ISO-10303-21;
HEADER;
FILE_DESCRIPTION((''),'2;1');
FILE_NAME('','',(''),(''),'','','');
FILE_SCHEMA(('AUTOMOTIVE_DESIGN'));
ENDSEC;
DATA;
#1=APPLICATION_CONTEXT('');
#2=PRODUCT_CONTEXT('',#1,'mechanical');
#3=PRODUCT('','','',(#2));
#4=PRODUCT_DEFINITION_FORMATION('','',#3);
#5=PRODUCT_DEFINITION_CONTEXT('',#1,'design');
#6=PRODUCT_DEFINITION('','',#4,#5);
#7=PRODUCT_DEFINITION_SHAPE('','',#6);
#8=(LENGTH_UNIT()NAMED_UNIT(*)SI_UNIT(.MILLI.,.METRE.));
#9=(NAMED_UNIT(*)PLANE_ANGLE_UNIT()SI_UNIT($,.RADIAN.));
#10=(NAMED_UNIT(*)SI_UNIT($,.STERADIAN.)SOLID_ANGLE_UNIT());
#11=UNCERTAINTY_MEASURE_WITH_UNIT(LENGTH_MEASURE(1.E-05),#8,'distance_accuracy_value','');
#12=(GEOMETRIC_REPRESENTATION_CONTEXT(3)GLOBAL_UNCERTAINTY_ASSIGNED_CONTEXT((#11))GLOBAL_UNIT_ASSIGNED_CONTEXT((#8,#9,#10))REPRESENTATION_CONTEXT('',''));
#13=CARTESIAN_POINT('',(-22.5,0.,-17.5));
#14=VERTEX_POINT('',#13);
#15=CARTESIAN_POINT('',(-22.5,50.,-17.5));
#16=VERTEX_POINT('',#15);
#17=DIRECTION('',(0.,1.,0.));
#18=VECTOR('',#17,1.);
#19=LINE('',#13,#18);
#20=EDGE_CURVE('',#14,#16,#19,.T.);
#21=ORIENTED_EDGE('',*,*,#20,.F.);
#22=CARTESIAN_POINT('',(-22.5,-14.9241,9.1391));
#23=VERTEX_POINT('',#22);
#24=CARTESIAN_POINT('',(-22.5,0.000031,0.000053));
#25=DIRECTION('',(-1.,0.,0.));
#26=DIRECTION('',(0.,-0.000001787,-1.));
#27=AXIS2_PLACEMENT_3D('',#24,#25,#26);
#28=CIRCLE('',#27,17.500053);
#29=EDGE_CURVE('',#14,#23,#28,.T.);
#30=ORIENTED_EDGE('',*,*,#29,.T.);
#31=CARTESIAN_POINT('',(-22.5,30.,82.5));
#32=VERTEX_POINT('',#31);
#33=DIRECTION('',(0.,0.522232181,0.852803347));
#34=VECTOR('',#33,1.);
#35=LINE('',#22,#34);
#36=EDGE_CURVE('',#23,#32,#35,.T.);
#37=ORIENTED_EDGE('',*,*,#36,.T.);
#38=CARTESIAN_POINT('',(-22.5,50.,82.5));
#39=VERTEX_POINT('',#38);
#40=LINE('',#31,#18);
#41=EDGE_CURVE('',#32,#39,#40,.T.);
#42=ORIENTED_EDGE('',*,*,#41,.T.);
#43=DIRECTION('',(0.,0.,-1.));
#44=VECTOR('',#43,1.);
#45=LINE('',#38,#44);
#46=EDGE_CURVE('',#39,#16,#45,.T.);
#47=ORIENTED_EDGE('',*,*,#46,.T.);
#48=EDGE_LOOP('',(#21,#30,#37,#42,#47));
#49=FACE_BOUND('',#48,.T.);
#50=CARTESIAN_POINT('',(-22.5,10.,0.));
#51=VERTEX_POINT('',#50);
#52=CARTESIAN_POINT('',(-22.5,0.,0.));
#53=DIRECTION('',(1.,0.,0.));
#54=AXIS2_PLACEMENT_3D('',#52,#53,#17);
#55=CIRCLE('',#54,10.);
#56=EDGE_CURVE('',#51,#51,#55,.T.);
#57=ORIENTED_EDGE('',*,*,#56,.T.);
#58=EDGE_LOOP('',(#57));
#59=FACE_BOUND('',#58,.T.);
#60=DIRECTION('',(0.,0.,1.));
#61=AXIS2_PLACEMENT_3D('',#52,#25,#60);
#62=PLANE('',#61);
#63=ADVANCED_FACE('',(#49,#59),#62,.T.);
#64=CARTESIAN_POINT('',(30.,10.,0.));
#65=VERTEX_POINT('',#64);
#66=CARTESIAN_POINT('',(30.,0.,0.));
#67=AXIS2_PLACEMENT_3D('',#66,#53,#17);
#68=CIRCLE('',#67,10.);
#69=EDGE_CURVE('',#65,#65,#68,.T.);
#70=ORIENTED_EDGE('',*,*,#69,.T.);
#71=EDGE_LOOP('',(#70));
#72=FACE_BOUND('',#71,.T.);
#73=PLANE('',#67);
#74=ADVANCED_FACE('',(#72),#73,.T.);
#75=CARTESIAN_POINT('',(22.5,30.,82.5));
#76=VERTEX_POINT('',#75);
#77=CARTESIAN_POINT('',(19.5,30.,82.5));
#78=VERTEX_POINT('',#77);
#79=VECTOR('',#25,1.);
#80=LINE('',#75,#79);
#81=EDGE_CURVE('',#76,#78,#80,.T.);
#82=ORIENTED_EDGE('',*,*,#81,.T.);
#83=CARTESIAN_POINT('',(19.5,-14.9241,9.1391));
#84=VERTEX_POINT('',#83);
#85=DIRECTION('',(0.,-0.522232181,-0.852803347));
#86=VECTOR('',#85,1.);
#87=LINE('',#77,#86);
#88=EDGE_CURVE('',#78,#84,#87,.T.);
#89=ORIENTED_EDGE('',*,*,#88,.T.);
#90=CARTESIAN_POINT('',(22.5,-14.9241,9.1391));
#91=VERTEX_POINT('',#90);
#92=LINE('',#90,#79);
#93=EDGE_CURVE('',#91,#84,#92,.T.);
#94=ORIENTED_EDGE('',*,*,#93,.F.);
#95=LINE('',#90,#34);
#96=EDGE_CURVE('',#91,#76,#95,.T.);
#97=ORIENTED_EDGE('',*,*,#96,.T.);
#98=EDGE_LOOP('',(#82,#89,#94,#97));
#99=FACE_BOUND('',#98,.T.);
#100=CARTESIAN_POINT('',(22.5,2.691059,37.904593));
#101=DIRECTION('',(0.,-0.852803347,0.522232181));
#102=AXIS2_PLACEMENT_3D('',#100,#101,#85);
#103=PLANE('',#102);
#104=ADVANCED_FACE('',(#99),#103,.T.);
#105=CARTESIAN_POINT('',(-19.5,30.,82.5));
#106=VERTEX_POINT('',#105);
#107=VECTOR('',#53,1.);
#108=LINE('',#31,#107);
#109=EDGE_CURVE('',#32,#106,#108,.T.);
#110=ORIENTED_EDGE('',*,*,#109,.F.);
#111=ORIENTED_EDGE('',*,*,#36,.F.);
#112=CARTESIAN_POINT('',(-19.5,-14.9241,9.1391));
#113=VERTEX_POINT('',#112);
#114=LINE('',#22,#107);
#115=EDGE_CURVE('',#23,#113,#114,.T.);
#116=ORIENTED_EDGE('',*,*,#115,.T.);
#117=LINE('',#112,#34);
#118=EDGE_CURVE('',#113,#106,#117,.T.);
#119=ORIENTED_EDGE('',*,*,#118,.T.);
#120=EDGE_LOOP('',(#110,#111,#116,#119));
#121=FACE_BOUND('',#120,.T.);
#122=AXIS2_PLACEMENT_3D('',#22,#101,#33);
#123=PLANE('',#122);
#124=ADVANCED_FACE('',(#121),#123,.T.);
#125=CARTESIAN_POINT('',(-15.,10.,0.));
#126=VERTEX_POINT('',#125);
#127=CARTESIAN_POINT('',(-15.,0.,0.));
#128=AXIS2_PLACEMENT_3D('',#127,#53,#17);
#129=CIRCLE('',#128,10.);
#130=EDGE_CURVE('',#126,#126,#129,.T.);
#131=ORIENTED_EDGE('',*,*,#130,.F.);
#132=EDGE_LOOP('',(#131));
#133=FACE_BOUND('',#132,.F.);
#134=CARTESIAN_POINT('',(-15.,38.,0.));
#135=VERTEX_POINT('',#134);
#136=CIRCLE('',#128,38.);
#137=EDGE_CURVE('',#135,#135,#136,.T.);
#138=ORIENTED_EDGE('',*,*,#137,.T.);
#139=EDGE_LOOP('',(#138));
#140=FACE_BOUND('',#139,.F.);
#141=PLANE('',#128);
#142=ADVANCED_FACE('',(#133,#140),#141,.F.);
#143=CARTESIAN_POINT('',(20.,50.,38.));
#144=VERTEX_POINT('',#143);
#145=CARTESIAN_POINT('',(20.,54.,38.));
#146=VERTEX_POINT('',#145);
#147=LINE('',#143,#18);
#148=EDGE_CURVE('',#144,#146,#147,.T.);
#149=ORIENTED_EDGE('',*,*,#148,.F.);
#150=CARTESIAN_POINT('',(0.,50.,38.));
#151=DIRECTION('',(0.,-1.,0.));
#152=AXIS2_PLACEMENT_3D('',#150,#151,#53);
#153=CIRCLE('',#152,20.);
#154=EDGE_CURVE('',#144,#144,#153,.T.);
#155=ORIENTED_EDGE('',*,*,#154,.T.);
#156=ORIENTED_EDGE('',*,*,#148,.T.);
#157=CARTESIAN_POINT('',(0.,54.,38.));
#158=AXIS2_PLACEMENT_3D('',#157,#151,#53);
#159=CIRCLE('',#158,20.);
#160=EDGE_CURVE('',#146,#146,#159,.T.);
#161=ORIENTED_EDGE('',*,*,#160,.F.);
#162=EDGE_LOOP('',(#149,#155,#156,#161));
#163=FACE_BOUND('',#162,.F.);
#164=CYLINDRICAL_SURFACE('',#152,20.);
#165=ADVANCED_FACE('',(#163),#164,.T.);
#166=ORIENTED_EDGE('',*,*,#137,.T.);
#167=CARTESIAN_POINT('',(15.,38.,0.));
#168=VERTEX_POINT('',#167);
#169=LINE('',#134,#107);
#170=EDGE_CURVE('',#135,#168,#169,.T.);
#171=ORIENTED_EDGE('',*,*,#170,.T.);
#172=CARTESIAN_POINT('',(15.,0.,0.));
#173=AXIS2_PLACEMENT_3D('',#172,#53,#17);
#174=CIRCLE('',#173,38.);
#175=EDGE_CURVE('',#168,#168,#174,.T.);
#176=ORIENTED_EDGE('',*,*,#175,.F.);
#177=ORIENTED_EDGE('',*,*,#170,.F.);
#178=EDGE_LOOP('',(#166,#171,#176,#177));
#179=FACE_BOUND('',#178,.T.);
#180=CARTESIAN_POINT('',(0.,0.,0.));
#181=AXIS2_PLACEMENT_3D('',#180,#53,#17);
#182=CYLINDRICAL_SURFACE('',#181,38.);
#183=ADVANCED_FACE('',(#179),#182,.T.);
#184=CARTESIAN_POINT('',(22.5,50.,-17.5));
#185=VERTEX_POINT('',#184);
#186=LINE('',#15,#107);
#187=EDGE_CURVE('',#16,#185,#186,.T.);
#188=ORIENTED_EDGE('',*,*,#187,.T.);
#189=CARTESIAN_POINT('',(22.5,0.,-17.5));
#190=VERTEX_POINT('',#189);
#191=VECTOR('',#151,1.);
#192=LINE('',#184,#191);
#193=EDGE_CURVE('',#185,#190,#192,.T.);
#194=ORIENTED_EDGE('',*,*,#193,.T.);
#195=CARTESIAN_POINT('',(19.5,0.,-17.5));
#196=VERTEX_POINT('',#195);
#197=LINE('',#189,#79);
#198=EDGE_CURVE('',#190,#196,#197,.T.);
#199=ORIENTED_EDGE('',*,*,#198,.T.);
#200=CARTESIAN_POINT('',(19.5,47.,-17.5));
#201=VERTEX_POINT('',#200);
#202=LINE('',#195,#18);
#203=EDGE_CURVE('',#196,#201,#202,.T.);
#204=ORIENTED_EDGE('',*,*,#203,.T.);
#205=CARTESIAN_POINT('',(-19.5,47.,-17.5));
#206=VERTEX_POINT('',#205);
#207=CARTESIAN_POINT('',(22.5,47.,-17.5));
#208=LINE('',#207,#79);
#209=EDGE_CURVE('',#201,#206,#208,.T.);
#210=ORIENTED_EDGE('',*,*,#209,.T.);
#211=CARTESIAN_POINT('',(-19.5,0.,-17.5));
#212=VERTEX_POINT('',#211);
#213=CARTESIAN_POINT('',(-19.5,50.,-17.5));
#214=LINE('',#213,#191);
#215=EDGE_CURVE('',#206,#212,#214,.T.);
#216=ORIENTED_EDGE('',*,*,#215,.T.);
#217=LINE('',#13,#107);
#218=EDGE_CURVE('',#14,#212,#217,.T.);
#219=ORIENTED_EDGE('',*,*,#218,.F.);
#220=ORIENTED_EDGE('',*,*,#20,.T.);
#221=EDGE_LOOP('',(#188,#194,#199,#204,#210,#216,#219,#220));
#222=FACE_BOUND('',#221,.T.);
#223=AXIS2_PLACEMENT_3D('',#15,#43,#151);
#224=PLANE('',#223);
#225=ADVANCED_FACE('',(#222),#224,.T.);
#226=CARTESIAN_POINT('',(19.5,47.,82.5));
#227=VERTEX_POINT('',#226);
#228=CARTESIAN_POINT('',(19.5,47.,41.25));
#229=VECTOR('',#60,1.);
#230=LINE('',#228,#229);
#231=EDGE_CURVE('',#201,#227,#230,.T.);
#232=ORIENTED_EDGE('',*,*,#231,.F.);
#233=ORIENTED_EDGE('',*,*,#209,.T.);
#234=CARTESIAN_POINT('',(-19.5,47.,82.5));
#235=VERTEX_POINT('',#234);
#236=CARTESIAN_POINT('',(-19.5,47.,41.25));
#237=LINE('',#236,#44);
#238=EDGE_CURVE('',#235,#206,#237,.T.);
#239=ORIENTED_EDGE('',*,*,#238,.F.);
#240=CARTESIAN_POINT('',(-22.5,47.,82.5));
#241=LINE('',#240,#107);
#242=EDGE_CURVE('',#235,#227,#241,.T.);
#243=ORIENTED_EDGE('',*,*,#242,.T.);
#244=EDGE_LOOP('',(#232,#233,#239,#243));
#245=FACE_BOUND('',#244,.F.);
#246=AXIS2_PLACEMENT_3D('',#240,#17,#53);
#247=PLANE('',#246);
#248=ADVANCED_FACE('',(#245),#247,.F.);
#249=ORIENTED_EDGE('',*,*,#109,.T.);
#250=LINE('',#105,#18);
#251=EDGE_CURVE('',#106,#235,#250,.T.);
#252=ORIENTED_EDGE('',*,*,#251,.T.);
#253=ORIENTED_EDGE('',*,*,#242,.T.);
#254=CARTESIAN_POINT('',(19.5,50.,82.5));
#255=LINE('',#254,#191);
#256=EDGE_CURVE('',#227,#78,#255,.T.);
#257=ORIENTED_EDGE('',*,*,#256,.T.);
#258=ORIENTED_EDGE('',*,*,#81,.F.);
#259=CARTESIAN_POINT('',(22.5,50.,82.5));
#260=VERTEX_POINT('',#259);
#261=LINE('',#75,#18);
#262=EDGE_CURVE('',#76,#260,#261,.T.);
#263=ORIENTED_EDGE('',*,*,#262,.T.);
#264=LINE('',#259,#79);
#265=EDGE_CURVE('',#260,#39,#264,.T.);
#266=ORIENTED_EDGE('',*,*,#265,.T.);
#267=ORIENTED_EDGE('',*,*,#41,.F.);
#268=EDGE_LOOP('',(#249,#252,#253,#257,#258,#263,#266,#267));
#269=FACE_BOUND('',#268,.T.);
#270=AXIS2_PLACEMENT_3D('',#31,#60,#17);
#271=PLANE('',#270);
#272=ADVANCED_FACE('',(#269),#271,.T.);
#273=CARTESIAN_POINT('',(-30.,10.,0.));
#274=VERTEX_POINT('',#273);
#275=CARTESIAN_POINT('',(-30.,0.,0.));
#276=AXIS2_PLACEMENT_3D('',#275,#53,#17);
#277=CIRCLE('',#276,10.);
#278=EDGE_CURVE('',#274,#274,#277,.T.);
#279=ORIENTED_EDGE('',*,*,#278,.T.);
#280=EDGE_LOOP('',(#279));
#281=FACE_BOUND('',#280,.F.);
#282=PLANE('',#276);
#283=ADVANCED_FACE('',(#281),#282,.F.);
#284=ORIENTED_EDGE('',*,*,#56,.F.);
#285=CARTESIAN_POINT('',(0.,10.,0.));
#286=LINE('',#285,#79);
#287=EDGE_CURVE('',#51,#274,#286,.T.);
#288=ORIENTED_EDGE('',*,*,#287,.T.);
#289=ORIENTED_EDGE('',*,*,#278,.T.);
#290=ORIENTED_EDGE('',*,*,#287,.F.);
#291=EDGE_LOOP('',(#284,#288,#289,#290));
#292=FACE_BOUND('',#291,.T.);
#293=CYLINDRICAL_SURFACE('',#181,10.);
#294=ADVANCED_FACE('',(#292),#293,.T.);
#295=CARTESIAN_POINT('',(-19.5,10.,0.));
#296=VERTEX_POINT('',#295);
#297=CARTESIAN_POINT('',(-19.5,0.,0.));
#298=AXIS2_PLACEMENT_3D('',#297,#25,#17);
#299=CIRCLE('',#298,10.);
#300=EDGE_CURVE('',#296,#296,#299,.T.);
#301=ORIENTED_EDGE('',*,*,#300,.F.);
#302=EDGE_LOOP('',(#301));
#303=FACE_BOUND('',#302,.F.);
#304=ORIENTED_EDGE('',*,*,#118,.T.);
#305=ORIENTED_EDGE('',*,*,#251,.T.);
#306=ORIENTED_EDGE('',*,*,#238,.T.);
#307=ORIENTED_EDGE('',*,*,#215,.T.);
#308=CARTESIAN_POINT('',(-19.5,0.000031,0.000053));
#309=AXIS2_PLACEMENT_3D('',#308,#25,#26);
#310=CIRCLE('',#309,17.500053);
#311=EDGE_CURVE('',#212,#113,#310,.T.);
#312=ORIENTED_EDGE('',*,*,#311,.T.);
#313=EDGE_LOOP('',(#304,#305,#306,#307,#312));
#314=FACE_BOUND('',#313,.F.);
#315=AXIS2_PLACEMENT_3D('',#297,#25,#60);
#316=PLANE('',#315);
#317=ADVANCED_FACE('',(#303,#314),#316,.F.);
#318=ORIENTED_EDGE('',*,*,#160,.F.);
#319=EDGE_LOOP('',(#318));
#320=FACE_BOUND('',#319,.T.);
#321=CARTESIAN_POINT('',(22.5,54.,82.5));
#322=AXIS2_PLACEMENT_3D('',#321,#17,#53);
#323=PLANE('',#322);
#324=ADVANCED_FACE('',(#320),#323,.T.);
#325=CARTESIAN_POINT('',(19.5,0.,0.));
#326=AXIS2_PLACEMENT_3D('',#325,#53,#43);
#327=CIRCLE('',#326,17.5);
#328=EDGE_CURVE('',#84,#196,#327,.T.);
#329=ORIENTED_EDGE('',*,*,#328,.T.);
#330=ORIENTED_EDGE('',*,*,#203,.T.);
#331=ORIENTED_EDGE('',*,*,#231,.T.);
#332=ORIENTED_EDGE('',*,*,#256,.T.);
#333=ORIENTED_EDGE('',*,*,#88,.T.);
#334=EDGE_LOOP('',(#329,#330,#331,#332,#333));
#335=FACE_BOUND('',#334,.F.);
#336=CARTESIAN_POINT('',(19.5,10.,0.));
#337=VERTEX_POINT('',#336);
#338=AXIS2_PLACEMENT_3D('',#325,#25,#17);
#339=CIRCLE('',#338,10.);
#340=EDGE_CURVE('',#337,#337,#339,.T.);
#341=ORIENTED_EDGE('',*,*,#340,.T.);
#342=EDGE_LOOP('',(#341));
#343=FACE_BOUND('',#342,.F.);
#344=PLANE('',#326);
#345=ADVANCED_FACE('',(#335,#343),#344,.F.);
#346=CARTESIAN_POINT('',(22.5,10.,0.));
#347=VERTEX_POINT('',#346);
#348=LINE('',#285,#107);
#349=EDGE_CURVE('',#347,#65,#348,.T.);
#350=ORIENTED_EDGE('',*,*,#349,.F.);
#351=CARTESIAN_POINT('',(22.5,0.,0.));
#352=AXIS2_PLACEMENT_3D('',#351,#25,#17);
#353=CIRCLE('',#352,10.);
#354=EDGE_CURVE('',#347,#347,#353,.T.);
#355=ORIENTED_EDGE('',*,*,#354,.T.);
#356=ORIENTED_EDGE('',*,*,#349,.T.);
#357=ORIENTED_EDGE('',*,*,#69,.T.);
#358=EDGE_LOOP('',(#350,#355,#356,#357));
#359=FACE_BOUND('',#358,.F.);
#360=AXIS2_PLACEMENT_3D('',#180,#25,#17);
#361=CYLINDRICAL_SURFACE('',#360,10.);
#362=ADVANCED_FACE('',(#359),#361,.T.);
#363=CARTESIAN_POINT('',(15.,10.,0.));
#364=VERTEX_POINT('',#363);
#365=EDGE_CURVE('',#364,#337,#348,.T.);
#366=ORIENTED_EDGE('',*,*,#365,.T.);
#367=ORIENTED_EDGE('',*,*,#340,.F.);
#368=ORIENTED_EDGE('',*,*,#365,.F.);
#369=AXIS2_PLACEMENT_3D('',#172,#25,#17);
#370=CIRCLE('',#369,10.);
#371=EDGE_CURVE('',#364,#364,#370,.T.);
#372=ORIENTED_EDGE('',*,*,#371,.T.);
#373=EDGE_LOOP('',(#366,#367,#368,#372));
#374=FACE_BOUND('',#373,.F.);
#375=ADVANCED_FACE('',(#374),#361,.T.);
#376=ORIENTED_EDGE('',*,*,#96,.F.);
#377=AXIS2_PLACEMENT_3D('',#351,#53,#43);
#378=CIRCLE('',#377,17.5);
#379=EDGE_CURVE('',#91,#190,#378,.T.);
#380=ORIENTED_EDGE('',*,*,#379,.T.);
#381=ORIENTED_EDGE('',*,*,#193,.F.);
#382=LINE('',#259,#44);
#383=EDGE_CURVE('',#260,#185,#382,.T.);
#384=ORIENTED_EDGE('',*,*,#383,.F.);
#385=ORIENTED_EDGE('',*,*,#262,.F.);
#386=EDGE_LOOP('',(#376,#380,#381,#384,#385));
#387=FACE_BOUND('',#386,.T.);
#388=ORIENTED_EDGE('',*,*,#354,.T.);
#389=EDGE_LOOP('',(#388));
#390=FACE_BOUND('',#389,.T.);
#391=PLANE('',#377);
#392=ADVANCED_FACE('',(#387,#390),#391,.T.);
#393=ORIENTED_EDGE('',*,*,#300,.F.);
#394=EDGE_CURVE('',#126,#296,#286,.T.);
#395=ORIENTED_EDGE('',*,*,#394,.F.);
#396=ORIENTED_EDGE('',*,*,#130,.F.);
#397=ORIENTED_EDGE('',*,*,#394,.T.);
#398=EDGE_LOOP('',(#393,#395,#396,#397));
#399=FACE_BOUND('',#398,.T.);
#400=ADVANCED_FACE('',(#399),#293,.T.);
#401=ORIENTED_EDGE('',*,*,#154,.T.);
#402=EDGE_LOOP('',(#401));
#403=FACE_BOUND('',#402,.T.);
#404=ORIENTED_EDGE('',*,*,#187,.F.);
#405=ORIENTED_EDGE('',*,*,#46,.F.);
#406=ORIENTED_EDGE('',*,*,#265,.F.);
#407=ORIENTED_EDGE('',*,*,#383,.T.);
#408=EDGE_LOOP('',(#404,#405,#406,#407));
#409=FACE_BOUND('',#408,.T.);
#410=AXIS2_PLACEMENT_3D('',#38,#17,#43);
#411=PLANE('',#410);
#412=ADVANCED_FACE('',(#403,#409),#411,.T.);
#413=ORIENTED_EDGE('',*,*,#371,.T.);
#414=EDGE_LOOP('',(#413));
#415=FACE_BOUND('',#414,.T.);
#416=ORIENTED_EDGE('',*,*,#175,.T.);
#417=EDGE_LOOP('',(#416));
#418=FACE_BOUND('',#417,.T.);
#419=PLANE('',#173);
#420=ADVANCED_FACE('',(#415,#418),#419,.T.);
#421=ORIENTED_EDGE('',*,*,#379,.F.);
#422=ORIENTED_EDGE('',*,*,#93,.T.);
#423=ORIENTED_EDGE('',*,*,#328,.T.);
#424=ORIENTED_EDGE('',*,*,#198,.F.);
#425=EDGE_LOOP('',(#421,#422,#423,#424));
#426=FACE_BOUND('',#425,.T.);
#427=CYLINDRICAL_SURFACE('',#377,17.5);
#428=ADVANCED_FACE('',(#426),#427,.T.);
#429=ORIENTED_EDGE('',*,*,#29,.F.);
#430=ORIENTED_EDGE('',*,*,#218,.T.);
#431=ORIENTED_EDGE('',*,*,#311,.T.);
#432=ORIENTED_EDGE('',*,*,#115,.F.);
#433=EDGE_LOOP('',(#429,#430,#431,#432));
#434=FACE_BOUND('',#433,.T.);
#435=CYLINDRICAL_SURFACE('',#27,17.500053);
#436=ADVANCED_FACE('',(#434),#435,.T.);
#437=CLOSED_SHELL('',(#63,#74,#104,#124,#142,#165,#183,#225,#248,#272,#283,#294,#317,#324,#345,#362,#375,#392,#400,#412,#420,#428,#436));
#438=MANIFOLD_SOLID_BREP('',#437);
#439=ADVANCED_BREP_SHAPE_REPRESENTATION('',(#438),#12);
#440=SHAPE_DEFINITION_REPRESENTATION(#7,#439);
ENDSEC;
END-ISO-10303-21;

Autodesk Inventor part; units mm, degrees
ref_plane "YZ Plane" through (0, 0, 0) normal (1, 0, 0) x (0, 1, 0)
sketch "Sketch1" plane through (0, 0, 0) normal (1, 0, 0) x (0, 1, 0)
  circle A0 centre (0, 0) radius 38
  dimension "d0" = 76
extrude "Extrusion1" add sketch "Sketch1" along normal mid plane 30
sketch "Sketch2" plane through (0, 0, 0) normal (1, 0, 0) x (0, 1, 0)
  circle A0 centre (0, 0) radius 10
  dimension "d3" = 20
extrude "Extrusion2" add sketch "Sketch2" along normal mid plane 60
ref_plane "Work Plane1" through (22.5, 0, 0) normal (1, 0, 0) x (0, 0, -1)
sketch "Sketch3" plane through (22.5, 0, 0) normal (1, 0, 0) x (0, 0, -1)
  circle A0 centre (0, 0) radius 10 projected
  circle A1 centre (0, 0) radius 10
  circle A2 centre (0, 0) radius 17.5
  line L0 (-82.5, 50) -> (17.5, 50)
  circle A3 centre (0, 0) radius 38 projected
  line L1 (17.5, 0) -> (17.5, 50)
  line L2 (-82.5, 50) -> (-82.5, 30)
  line L3 (-82.5, 30) -> (-9.1391, -14.9241)
  point P0 (-38, 0)
  dimension "d6" = 35
  dimension "d7" = 50
  dimension "d8" = 100
  dimension "d9" = 20
extrude "Extrusion3" add sketch "Sketch3" against normal blind 3 contours A2 | A2 L3 A3 L1 | A3 L3 L2 L0 L1 picked at (-15.7584, 26.6707)
ref_plane "Work Plane2" through (-22.5, 0, 0) normal (-1, 0, 0) x (0, 0, 1)
sketch "Sketch4" plane through (-22.5, 0, 0) normal (-1, 0, 0) x (0, 0, 1)
  line L0 (9.1391, -14.9241) -> (82.5, 30) projected
  line L1 (82.5, 30) -> (82.5, 50) projected
  line L2 (82.5, 50) -> (-17.5, 50) projected
  line L3 (-17.5, 50) -> (-17.5, 0) projected
  arc A0 (-17.5, 0) -> (9.1391, -14.9241) centre (0, 0) ccw projected
  circle A1 centre (0, 0) radius 10 projected
extrude "Extrusion4" add sketch "Sketch4" against normal blind 3
sketch "Sketch5" plane through (-22.5, 50, 82.5) normal (0, 1, 0) x (1, 0, 0)
  line L0 (0, 0) -> (0, 100) projected
  line L1 (0, 0) -> (3, 0) projected
  line L2 (3, 100) -> (3, 0) projected
  line L3 (0, 100) -> (3, 100) projected
  line L4 (45, 100) -> (45, 0) projected
  line L5 (45, 100) -> (42, 100) projected
  line L6 (42, 0) -> (42, 100) projected
  line L7 (45, 0) -> (42, 0) projected
  line L8 (0, 100) -> (45, 100)
  line L9 (45, 100) -> (45, 0)
  line L10 (45, 0) -> (0, 0)
  line L11 (0, 0) -> (0, 100)
  point P0 (22.5, 82.5)
extrude "Extrusion5" add sketch "Sketch5" against normal blind 3
sketch "Sketch6" plane through (22.5, 50, 82.5) normal (0, 1, 0) x (1, 0, 0)
  line L0 (-37.5, 120.5) -> (-37.5, 44.5) projected
  line L1 (-7.5, 44.5) -> (-7.5, 120.5) projected
  line L2 (-37.5, 44.5) -> (-7.5, 44.5) construction
  circle A0 centre (-22.5, 44.5) radius 20
  point P0 (-22.5, 82.5)
  dimension "d16" = 40
extrude "Extrusion6" add sketch "Sketch6" along normal blind 4
properties part number "assist_wheel" material "Steel, Alloy"
